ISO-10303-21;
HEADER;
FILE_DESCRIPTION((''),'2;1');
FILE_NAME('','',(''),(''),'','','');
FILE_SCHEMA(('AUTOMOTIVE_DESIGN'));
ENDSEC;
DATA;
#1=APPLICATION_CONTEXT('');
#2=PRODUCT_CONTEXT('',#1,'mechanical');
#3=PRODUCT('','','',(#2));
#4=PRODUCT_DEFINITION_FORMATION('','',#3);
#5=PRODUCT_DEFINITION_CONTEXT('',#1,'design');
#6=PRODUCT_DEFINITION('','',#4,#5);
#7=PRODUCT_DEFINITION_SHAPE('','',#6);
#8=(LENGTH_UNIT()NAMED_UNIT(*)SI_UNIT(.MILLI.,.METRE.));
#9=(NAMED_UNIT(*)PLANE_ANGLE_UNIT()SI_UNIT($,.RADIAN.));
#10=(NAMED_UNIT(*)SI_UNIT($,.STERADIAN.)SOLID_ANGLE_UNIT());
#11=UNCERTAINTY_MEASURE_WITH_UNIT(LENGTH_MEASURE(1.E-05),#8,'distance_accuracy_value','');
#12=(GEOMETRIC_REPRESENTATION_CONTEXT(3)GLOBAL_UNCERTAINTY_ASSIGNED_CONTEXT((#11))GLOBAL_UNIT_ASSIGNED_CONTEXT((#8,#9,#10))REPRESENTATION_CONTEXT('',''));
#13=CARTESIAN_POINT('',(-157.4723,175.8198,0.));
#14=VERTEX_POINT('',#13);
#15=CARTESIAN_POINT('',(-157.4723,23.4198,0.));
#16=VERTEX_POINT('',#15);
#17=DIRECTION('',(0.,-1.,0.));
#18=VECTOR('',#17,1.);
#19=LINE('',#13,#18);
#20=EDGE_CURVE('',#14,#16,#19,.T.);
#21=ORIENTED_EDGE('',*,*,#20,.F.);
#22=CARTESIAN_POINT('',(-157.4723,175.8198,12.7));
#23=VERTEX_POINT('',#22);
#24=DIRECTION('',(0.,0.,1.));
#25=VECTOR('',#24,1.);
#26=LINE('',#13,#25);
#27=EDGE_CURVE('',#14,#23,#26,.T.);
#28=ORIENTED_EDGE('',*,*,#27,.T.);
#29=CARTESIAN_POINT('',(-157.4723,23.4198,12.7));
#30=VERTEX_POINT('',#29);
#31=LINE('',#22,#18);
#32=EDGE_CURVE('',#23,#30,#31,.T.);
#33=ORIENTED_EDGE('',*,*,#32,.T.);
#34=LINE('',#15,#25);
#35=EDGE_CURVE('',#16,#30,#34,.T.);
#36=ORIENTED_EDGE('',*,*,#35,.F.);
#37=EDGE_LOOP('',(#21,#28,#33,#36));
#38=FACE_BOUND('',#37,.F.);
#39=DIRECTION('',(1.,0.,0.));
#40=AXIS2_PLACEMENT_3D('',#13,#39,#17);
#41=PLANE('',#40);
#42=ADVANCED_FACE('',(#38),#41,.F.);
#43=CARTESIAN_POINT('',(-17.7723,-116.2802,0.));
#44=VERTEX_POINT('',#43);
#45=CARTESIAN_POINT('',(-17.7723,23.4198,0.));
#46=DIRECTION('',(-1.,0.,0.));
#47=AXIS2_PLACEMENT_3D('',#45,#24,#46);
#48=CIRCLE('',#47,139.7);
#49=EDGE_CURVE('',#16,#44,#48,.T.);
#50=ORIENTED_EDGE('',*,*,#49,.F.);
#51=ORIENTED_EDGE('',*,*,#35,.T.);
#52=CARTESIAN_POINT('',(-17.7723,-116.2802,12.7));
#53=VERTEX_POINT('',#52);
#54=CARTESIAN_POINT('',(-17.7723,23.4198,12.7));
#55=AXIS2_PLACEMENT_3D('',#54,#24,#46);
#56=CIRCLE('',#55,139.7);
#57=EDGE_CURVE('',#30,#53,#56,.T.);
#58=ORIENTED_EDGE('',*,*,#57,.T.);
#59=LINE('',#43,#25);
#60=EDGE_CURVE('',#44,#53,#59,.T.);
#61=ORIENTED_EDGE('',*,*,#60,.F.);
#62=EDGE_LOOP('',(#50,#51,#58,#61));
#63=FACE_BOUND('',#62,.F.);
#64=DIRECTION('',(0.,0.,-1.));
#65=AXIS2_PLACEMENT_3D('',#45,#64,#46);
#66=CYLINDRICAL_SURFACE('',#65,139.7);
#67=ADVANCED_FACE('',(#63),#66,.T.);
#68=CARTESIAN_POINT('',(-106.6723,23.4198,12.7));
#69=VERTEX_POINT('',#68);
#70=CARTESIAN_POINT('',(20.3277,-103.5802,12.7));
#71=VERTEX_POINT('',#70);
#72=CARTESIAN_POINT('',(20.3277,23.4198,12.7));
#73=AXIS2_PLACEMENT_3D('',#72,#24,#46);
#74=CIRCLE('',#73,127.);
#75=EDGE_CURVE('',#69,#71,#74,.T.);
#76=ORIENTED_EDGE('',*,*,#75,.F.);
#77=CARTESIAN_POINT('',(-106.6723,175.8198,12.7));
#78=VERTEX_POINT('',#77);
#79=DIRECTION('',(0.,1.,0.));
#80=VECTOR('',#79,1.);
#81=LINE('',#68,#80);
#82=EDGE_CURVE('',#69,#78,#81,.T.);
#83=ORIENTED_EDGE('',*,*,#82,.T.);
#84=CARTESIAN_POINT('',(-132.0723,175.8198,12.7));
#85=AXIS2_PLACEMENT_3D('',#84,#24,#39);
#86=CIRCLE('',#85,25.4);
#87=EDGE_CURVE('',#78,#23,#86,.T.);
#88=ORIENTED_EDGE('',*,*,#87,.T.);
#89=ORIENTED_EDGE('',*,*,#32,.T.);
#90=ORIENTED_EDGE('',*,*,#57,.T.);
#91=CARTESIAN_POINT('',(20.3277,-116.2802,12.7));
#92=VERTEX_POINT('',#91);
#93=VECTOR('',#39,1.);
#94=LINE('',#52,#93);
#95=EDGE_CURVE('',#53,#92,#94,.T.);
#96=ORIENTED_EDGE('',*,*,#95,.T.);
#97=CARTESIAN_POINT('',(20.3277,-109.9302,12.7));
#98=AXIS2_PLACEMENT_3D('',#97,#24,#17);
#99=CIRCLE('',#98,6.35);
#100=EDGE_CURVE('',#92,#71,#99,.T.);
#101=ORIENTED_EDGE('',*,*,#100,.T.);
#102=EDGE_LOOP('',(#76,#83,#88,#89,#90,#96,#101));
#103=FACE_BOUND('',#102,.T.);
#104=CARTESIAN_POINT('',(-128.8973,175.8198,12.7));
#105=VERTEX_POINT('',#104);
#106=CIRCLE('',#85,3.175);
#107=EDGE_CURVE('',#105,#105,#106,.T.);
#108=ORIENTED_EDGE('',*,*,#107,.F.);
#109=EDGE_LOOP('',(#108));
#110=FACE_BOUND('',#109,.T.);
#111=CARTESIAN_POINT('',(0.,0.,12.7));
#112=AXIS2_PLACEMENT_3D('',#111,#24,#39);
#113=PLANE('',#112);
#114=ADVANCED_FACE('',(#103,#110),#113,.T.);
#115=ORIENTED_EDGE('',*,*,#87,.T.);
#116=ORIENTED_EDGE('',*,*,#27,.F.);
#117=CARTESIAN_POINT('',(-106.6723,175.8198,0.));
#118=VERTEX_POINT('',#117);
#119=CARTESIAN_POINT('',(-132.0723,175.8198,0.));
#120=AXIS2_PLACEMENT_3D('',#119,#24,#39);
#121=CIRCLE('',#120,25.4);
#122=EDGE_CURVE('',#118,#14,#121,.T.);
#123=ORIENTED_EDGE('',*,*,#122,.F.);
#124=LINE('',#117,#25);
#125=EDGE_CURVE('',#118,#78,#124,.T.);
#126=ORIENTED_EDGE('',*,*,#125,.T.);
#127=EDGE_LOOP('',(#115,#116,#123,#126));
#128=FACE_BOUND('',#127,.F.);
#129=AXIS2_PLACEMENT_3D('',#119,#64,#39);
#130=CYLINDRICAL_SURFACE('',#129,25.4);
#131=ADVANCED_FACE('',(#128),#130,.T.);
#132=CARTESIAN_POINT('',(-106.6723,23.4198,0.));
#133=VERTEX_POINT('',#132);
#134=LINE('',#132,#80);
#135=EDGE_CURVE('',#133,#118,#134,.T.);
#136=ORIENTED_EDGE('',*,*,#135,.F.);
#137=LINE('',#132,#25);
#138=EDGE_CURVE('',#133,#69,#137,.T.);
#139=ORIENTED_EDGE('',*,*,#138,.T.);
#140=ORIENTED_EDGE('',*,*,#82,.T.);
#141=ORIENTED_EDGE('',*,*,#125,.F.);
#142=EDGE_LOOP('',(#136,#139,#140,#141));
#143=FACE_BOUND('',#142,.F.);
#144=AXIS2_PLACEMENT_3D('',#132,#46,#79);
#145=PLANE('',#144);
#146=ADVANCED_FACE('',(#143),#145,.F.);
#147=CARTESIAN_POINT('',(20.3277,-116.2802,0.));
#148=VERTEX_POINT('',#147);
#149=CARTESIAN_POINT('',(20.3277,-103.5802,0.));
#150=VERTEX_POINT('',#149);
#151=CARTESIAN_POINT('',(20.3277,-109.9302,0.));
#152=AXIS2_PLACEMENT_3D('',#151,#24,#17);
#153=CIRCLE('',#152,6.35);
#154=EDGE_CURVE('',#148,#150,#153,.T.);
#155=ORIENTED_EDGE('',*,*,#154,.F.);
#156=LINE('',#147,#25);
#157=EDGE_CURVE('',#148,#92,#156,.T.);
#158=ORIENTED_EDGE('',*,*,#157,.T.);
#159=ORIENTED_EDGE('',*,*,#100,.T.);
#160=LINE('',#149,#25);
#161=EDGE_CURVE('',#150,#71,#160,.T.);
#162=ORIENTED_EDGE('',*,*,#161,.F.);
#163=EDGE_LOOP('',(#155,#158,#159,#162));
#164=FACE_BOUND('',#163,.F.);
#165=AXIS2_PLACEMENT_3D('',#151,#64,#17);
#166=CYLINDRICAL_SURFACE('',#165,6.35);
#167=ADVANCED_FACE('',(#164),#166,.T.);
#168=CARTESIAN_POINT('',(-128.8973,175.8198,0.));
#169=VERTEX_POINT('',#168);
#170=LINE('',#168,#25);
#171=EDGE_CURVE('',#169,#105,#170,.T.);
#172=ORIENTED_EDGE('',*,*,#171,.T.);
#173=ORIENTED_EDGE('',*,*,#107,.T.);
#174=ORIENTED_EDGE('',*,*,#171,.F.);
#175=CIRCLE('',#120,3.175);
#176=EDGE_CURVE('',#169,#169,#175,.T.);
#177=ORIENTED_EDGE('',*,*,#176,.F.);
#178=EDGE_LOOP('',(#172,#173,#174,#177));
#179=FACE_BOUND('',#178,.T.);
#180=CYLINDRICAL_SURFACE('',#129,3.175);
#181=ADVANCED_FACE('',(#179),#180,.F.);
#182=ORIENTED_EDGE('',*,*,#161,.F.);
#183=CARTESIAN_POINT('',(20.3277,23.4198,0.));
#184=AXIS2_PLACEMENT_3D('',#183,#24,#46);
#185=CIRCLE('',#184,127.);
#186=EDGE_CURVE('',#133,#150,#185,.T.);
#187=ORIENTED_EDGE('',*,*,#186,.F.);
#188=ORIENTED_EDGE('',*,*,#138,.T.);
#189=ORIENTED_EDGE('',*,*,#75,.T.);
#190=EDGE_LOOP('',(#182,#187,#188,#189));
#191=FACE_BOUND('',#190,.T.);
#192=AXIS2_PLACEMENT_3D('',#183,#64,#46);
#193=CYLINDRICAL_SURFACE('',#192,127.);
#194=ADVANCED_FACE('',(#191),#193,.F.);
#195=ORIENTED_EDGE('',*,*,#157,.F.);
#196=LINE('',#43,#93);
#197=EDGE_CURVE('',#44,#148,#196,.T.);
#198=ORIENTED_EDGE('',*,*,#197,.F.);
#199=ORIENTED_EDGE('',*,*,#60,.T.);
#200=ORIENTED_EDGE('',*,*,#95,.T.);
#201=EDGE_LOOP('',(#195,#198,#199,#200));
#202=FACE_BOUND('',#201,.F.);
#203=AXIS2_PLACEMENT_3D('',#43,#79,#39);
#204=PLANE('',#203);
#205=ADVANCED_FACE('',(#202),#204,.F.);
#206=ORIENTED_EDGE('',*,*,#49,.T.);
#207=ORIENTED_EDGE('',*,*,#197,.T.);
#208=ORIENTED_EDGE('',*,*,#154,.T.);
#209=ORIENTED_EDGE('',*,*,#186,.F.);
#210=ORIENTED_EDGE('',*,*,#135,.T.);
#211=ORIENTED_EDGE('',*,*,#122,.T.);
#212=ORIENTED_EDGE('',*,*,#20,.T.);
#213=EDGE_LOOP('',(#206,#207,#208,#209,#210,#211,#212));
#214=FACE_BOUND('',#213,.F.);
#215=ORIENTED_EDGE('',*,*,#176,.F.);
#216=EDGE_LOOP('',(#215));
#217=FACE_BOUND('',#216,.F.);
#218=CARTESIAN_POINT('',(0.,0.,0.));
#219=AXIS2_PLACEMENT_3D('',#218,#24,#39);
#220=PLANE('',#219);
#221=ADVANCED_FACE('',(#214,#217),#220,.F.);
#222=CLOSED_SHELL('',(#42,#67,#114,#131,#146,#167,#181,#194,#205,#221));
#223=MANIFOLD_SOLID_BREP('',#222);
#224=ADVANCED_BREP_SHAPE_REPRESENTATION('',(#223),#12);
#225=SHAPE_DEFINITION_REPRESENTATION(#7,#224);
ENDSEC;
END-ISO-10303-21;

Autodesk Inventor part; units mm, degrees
ref_plane "YZ Plane" through (0, 0, 0) normal (1, 0, 0) x (0, 1, 0)
ref_plane "XZ Plane" through (0, 0, 0) normal (0, 1, 0) x (-1, 0, 0)
ref_plane "XY Plane" through (0, 0, 0) normal (0, 0, 1) x (1, 0, 0)
sketch "Sketch1" plane through (0, 0, 0) normal (0, 0, 1) x (1, 0, 0)
  circle A0 centre (-132.0723, 175.8198) radius 3.175
  arc A1 (-106.6723, 175.8198) -> (-157.4723, 175.8198) centre (-132.0723, 175.8198) ccw
  arc A2 (-106.6723, 23.4198) -> (20.3277, -103.5802) centre (20.3277, 23.4198) ccw
  arc A3 (-157.4723, 23.4198) -> (-17.7723, -116.2802) centre (-17.7723, 23.4198) ccw
  line L0 (-157.4723, 175.8198) -> (-157.4723, 23.4198)
  line L1 (-106.6723, 23.4198) -> (-106.6723, 175.8198)
  line L2 (-17.7723, -116.2802) -> (20.3277, -116.2802)
  arc A4 (20.3277, -116.2802) -> (20.3277, -103.5802) centre (20.3277, -109.9302) ccw
  dimension "d23" = 6.35
  dimension "d24" = 50.8
  dimension "d25" = 25.4
  dimension "d26" = 127
  dimension "d27" = 139.7
  dimension "d28" = 152.4
  dimension "d29" = 152.4
  dimension "d30" = 6.35
  dimension "d31" = 38.1
extrude "Extrusion2" add sketch "Sketch1" along normal blind 12.7
properties part number "Bottom IntakeBar"
